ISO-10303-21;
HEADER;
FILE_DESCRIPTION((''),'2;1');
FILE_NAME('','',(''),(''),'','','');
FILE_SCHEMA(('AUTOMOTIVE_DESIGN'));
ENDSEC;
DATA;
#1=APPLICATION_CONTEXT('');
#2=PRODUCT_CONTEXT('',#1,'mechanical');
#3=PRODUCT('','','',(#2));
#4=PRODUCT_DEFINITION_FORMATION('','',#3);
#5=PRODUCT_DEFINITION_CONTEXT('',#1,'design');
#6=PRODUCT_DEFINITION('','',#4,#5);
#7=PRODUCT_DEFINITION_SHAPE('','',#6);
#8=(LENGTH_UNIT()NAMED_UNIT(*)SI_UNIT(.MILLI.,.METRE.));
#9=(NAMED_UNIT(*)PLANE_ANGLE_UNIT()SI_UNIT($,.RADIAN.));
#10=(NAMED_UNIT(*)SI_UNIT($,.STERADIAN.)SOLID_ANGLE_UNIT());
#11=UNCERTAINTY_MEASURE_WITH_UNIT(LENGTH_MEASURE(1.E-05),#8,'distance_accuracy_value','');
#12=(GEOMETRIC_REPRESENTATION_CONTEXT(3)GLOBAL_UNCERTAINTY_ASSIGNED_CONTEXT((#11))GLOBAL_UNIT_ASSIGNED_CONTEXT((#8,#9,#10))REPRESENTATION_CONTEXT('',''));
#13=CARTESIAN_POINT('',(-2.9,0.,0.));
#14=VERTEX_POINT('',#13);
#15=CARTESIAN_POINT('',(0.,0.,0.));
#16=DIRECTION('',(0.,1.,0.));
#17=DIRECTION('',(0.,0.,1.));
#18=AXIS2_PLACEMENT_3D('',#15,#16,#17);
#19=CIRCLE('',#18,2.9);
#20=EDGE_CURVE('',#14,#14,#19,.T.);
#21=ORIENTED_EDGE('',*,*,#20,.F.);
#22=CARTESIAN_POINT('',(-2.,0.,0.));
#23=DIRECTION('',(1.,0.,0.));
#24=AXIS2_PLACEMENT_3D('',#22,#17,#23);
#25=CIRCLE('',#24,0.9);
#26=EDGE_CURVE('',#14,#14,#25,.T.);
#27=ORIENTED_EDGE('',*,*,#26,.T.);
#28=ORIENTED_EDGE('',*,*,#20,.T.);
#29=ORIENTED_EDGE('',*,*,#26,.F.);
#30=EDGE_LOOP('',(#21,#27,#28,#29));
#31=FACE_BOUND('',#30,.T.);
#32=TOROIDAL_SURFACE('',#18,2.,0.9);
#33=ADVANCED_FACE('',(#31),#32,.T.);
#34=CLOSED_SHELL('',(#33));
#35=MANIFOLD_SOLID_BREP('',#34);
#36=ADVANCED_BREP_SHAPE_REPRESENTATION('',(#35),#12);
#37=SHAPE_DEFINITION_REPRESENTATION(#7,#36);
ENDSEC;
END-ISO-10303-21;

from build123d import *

# Parameters (mm, degrees)
SKETCH2_R = 0.9


with BuildPart() as part:
    # Sweep1: sweep along a path in Sketch1
    with BuildLine(Plane(origin=(0, 0, 0), x_dir=(1, 0, 0), z_dir=(0, 1, 0))) as sweep1_path:
        CenterArc((0, 0), 2, 0, 360)
    # Sketch2 → Sweep1 (sweep)
    with BuildSketch(Plane.XY):
        with Locations((-2, 0)):
            Circle(SKETCH2_R)
    sweep(path=sweep1_path.line)


solid = part.part
